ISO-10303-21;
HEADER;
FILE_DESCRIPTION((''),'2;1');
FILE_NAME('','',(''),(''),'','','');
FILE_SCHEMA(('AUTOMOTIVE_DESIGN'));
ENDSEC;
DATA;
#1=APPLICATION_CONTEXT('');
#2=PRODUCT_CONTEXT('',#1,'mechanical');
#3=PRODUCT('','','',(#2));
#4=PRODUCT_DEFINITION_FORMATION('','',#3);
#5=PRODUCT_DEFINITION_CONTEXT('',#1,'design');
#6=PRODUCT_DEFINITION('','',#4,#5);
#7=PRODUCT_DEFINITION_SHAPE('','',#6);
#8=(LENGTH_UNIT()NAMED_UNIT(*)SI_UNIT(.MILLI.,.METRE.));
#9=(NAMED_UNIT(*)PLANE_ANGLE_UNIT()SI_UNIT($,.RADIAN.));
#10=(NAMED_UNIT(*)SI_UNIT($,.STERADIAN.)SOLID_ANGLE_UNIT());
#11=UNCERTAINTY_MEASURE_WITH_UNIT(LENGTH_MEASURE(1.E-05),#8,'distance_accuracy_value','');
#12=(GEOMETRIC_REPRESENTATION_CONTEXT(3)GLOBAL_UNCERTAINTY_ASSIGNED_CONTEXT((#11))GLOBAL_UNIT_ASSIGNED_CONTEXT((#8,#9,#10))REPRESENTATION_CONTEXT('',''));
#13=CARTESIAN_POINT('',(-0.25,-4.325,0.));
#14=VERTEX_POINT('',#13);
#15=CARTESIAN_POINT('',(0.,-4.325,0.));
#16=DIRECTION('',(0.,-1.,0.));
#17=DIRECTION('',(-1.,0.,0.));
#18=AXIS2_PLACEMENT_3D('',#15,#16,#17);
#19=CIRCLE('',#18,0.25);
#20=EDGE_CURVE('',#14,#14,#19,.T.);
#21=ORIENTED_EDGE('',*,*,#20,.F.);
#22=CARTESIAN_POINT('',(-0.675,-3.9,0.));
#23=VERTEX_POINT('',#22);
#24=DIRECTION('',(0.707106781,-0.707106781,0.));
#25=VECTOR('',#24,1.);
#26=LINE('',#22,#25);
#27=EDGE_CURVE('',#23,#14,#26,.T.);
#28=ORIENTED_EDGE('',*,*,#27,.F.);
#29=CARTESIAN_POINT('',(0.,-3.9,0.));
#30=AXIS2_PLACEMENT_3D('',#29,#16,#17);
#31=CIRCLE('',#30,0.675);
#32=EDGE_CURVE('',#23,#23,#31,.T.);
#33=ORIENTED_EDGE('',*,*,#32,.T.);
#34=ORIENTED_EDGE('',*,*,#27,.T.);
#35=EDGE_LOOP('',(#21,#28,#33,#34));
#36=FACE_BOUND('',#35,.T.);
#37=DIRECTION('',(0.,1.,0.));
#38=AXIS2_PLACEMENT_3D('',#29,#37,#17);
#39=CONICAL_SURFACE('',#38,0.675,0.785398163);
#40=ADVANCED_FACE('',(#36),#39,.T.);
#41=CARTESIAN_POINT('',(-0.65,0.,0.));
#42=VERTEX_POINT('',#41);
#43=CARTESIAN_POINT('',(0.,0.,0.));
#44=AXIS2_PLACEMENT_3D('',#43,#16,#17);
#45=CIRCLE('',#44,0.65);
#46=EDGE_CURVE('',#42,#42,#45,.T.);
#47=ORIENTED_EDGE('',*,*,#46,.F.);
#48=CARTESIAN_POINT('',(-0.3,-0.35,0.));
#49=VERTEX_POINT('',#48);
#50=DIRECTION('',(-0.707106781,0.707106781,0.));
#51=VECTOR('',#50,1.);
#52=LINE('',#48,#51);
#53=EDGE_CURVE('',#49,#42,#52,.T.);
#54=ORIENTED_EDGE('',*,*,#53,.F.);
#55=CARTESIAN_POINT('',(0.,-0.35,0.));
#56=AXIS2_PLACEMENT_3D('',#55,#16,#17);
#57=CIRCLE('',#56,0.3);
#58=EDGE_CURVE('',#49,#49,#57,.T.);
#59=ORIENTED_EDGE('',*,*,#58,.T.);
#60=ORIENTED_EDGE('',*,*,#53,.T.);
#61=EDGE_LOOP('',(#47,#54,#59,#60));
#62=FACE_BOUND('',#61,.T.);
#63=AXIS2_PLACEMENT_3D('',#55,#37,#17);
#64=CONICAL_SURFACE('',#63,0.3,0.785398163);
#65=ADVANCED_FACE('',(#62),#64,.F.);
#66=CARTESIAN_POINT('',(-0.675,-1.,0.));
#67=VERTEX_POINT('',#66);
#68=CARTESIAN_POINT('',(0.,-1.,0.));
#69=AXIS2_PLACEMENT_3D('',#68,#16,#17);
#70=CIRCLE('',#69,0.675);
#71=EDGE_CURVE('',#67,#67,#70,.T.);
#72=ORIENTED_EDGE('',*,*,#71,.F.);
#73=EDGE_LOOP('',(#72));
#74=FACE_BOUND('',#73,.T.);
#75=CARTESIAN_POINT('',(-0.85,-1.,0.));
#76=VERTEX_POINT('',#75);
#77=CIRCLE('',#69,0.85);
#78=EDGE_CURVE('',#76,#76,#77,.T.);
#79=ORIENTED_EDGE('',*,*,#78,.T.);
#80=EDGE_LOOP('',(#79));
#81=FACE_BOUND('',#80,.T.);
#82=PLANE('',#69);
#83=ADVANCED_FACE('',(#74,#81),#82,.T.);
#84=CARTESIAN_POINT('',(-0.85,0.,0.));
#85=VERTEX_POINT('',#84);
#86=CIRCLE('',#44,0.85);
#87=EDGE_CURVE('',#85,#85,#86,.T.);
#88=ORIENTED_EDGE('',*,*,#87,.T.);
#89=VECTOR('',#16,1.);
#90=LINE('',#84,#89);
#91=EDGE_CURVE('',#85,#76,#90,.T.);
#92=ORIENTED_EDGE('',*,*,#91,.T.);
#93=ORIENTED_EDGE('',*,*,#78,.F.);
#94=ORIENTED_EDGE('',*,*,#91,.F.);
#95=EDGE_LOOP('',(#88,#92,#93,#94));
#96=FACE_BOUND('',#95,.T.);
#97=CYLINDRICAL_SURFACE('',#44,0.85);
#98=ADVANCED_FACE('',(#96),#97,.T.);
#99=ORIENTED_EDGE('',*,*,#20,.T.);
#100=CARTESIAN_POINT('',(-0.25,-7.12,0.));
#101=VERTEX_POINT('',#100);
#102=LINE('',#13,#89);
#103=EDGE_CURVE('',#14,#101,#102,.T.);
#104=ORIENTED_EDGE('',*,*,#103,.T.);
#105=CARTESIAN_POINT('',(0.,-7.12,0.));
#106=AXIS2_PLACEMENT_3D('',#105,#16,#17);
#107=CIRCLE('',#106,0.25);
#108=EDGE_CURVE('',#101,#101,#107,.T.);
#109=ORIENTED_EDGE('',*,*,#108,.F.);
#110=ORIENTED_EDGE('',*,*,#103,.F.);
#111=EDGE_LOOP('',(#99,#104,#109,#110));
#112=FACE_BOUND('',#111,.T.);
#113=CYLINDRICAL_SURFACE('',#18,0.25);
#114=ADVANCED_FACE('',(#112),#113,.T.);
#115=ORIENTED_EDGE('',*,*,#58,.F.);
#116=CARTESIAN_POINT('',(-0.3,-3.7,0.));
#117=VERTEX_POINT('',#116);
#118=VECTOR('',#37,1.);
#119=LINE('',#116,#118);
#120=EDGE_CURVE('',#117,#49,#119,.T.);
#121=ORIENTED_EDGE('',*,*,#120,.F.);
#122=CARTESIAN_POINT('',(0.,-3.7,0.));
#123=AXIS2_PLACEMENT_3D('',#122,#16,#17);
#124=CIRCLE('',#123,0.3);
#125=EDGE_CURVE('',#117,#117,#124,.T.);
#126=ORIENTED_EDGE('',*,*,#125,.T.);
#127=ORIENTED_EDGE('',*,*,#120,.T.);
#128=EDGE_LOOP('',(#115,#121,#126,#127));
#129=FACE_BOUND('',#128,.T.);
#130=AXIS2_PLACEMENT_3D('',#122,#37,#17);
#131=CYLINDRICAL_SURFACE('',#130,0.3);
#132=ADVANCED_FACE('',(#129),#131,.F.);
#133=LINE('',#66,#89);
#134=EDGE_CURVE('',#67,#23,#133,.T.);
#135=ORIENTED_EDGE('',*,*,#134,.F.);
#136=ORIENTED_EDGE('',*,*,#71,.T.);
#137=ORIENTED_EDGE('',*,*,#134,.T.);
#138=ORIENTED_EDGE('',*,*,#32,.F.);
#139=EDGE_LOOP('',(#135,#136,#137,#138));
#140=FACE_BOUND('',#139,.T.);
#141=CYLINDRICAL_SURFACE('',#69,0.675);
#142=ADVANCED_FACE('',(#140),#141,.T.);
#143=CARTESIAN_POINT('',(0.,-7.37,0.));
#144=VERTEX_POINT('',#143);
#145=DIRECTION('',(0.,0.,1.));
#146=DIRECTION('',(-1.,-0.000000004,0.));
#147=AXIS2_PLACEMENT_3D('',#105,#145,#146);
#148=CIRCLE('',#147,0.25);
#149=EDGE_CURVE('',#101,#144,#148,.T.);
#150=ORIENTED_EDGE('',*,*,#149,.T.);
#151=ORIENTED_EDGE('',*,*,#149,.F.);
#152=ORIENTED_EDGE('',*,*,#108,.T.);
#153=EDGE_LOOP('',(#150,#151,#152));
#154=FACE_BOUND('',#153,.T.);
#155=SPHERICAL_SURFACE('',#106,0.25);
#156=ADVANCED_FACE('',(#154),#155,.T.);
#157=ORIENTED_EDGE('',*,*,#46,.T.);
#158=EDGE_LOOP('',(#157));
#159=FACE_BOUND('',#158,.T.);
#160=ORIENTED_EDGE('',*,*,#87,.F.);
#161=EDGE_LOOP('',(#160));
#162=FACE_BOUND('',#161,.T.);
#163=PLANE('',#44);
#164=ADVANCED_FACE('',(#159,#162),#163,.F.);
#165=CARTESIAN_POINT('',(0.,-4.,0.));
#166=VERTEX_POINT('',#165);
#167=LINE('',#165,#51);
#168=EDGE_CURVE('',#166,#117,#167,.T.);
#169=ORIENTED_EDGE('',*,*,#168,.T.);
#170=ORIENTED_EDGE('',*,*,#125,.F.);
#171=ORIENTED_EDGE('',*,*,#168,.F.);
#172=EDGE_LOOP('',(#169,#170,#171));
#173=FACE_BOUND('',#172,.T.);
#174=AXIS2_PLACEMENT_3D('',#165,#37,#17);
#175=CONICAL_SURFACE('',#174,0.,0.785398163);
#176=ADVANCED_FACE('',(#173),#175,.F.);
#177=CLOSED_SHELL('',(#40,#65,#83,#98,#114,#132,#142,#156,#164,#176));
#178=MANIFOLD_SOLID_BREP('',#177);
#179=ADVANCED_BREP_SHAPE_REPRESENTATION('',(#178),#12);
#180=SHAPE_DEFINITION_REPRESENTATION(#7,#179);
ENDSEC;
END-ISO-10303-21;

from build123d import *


with BuildPart() as part:
    # Sketch1 → Revolve1 (revolve)
    with BuildSketch(Plane.XY):
        with BuildLine():
            Line((-0.85, 0), (-0.85, -1))
            Line((-0.85, -1), (-0.675, -1))
            Line((-0.675, -1), (-0.675, -3.9))
            Line((-0.675, -3.9), (-0.25, -4.325))
            Line((-0.25, -4.325), (-0.25, -7.12))
            ThreePointArc((-0.25, -7.12), (-0.176776695, -7.296776695), (0, -7.37))
            Line((0, -7.37), (0, -4))
            Line((0, -4), (-0.3, -3.7))
            Line((-0.3, -3.7), (-0.3, -0.35))
            Line((-0.3, -0.35), (-0.65, 0))
            Line((-0.65, 0), (-0.85, 0))
        make_face()
    revolve(axis=Axis((0, 28.992562867, 0), (0, -1, 0)))


solid = part.part
